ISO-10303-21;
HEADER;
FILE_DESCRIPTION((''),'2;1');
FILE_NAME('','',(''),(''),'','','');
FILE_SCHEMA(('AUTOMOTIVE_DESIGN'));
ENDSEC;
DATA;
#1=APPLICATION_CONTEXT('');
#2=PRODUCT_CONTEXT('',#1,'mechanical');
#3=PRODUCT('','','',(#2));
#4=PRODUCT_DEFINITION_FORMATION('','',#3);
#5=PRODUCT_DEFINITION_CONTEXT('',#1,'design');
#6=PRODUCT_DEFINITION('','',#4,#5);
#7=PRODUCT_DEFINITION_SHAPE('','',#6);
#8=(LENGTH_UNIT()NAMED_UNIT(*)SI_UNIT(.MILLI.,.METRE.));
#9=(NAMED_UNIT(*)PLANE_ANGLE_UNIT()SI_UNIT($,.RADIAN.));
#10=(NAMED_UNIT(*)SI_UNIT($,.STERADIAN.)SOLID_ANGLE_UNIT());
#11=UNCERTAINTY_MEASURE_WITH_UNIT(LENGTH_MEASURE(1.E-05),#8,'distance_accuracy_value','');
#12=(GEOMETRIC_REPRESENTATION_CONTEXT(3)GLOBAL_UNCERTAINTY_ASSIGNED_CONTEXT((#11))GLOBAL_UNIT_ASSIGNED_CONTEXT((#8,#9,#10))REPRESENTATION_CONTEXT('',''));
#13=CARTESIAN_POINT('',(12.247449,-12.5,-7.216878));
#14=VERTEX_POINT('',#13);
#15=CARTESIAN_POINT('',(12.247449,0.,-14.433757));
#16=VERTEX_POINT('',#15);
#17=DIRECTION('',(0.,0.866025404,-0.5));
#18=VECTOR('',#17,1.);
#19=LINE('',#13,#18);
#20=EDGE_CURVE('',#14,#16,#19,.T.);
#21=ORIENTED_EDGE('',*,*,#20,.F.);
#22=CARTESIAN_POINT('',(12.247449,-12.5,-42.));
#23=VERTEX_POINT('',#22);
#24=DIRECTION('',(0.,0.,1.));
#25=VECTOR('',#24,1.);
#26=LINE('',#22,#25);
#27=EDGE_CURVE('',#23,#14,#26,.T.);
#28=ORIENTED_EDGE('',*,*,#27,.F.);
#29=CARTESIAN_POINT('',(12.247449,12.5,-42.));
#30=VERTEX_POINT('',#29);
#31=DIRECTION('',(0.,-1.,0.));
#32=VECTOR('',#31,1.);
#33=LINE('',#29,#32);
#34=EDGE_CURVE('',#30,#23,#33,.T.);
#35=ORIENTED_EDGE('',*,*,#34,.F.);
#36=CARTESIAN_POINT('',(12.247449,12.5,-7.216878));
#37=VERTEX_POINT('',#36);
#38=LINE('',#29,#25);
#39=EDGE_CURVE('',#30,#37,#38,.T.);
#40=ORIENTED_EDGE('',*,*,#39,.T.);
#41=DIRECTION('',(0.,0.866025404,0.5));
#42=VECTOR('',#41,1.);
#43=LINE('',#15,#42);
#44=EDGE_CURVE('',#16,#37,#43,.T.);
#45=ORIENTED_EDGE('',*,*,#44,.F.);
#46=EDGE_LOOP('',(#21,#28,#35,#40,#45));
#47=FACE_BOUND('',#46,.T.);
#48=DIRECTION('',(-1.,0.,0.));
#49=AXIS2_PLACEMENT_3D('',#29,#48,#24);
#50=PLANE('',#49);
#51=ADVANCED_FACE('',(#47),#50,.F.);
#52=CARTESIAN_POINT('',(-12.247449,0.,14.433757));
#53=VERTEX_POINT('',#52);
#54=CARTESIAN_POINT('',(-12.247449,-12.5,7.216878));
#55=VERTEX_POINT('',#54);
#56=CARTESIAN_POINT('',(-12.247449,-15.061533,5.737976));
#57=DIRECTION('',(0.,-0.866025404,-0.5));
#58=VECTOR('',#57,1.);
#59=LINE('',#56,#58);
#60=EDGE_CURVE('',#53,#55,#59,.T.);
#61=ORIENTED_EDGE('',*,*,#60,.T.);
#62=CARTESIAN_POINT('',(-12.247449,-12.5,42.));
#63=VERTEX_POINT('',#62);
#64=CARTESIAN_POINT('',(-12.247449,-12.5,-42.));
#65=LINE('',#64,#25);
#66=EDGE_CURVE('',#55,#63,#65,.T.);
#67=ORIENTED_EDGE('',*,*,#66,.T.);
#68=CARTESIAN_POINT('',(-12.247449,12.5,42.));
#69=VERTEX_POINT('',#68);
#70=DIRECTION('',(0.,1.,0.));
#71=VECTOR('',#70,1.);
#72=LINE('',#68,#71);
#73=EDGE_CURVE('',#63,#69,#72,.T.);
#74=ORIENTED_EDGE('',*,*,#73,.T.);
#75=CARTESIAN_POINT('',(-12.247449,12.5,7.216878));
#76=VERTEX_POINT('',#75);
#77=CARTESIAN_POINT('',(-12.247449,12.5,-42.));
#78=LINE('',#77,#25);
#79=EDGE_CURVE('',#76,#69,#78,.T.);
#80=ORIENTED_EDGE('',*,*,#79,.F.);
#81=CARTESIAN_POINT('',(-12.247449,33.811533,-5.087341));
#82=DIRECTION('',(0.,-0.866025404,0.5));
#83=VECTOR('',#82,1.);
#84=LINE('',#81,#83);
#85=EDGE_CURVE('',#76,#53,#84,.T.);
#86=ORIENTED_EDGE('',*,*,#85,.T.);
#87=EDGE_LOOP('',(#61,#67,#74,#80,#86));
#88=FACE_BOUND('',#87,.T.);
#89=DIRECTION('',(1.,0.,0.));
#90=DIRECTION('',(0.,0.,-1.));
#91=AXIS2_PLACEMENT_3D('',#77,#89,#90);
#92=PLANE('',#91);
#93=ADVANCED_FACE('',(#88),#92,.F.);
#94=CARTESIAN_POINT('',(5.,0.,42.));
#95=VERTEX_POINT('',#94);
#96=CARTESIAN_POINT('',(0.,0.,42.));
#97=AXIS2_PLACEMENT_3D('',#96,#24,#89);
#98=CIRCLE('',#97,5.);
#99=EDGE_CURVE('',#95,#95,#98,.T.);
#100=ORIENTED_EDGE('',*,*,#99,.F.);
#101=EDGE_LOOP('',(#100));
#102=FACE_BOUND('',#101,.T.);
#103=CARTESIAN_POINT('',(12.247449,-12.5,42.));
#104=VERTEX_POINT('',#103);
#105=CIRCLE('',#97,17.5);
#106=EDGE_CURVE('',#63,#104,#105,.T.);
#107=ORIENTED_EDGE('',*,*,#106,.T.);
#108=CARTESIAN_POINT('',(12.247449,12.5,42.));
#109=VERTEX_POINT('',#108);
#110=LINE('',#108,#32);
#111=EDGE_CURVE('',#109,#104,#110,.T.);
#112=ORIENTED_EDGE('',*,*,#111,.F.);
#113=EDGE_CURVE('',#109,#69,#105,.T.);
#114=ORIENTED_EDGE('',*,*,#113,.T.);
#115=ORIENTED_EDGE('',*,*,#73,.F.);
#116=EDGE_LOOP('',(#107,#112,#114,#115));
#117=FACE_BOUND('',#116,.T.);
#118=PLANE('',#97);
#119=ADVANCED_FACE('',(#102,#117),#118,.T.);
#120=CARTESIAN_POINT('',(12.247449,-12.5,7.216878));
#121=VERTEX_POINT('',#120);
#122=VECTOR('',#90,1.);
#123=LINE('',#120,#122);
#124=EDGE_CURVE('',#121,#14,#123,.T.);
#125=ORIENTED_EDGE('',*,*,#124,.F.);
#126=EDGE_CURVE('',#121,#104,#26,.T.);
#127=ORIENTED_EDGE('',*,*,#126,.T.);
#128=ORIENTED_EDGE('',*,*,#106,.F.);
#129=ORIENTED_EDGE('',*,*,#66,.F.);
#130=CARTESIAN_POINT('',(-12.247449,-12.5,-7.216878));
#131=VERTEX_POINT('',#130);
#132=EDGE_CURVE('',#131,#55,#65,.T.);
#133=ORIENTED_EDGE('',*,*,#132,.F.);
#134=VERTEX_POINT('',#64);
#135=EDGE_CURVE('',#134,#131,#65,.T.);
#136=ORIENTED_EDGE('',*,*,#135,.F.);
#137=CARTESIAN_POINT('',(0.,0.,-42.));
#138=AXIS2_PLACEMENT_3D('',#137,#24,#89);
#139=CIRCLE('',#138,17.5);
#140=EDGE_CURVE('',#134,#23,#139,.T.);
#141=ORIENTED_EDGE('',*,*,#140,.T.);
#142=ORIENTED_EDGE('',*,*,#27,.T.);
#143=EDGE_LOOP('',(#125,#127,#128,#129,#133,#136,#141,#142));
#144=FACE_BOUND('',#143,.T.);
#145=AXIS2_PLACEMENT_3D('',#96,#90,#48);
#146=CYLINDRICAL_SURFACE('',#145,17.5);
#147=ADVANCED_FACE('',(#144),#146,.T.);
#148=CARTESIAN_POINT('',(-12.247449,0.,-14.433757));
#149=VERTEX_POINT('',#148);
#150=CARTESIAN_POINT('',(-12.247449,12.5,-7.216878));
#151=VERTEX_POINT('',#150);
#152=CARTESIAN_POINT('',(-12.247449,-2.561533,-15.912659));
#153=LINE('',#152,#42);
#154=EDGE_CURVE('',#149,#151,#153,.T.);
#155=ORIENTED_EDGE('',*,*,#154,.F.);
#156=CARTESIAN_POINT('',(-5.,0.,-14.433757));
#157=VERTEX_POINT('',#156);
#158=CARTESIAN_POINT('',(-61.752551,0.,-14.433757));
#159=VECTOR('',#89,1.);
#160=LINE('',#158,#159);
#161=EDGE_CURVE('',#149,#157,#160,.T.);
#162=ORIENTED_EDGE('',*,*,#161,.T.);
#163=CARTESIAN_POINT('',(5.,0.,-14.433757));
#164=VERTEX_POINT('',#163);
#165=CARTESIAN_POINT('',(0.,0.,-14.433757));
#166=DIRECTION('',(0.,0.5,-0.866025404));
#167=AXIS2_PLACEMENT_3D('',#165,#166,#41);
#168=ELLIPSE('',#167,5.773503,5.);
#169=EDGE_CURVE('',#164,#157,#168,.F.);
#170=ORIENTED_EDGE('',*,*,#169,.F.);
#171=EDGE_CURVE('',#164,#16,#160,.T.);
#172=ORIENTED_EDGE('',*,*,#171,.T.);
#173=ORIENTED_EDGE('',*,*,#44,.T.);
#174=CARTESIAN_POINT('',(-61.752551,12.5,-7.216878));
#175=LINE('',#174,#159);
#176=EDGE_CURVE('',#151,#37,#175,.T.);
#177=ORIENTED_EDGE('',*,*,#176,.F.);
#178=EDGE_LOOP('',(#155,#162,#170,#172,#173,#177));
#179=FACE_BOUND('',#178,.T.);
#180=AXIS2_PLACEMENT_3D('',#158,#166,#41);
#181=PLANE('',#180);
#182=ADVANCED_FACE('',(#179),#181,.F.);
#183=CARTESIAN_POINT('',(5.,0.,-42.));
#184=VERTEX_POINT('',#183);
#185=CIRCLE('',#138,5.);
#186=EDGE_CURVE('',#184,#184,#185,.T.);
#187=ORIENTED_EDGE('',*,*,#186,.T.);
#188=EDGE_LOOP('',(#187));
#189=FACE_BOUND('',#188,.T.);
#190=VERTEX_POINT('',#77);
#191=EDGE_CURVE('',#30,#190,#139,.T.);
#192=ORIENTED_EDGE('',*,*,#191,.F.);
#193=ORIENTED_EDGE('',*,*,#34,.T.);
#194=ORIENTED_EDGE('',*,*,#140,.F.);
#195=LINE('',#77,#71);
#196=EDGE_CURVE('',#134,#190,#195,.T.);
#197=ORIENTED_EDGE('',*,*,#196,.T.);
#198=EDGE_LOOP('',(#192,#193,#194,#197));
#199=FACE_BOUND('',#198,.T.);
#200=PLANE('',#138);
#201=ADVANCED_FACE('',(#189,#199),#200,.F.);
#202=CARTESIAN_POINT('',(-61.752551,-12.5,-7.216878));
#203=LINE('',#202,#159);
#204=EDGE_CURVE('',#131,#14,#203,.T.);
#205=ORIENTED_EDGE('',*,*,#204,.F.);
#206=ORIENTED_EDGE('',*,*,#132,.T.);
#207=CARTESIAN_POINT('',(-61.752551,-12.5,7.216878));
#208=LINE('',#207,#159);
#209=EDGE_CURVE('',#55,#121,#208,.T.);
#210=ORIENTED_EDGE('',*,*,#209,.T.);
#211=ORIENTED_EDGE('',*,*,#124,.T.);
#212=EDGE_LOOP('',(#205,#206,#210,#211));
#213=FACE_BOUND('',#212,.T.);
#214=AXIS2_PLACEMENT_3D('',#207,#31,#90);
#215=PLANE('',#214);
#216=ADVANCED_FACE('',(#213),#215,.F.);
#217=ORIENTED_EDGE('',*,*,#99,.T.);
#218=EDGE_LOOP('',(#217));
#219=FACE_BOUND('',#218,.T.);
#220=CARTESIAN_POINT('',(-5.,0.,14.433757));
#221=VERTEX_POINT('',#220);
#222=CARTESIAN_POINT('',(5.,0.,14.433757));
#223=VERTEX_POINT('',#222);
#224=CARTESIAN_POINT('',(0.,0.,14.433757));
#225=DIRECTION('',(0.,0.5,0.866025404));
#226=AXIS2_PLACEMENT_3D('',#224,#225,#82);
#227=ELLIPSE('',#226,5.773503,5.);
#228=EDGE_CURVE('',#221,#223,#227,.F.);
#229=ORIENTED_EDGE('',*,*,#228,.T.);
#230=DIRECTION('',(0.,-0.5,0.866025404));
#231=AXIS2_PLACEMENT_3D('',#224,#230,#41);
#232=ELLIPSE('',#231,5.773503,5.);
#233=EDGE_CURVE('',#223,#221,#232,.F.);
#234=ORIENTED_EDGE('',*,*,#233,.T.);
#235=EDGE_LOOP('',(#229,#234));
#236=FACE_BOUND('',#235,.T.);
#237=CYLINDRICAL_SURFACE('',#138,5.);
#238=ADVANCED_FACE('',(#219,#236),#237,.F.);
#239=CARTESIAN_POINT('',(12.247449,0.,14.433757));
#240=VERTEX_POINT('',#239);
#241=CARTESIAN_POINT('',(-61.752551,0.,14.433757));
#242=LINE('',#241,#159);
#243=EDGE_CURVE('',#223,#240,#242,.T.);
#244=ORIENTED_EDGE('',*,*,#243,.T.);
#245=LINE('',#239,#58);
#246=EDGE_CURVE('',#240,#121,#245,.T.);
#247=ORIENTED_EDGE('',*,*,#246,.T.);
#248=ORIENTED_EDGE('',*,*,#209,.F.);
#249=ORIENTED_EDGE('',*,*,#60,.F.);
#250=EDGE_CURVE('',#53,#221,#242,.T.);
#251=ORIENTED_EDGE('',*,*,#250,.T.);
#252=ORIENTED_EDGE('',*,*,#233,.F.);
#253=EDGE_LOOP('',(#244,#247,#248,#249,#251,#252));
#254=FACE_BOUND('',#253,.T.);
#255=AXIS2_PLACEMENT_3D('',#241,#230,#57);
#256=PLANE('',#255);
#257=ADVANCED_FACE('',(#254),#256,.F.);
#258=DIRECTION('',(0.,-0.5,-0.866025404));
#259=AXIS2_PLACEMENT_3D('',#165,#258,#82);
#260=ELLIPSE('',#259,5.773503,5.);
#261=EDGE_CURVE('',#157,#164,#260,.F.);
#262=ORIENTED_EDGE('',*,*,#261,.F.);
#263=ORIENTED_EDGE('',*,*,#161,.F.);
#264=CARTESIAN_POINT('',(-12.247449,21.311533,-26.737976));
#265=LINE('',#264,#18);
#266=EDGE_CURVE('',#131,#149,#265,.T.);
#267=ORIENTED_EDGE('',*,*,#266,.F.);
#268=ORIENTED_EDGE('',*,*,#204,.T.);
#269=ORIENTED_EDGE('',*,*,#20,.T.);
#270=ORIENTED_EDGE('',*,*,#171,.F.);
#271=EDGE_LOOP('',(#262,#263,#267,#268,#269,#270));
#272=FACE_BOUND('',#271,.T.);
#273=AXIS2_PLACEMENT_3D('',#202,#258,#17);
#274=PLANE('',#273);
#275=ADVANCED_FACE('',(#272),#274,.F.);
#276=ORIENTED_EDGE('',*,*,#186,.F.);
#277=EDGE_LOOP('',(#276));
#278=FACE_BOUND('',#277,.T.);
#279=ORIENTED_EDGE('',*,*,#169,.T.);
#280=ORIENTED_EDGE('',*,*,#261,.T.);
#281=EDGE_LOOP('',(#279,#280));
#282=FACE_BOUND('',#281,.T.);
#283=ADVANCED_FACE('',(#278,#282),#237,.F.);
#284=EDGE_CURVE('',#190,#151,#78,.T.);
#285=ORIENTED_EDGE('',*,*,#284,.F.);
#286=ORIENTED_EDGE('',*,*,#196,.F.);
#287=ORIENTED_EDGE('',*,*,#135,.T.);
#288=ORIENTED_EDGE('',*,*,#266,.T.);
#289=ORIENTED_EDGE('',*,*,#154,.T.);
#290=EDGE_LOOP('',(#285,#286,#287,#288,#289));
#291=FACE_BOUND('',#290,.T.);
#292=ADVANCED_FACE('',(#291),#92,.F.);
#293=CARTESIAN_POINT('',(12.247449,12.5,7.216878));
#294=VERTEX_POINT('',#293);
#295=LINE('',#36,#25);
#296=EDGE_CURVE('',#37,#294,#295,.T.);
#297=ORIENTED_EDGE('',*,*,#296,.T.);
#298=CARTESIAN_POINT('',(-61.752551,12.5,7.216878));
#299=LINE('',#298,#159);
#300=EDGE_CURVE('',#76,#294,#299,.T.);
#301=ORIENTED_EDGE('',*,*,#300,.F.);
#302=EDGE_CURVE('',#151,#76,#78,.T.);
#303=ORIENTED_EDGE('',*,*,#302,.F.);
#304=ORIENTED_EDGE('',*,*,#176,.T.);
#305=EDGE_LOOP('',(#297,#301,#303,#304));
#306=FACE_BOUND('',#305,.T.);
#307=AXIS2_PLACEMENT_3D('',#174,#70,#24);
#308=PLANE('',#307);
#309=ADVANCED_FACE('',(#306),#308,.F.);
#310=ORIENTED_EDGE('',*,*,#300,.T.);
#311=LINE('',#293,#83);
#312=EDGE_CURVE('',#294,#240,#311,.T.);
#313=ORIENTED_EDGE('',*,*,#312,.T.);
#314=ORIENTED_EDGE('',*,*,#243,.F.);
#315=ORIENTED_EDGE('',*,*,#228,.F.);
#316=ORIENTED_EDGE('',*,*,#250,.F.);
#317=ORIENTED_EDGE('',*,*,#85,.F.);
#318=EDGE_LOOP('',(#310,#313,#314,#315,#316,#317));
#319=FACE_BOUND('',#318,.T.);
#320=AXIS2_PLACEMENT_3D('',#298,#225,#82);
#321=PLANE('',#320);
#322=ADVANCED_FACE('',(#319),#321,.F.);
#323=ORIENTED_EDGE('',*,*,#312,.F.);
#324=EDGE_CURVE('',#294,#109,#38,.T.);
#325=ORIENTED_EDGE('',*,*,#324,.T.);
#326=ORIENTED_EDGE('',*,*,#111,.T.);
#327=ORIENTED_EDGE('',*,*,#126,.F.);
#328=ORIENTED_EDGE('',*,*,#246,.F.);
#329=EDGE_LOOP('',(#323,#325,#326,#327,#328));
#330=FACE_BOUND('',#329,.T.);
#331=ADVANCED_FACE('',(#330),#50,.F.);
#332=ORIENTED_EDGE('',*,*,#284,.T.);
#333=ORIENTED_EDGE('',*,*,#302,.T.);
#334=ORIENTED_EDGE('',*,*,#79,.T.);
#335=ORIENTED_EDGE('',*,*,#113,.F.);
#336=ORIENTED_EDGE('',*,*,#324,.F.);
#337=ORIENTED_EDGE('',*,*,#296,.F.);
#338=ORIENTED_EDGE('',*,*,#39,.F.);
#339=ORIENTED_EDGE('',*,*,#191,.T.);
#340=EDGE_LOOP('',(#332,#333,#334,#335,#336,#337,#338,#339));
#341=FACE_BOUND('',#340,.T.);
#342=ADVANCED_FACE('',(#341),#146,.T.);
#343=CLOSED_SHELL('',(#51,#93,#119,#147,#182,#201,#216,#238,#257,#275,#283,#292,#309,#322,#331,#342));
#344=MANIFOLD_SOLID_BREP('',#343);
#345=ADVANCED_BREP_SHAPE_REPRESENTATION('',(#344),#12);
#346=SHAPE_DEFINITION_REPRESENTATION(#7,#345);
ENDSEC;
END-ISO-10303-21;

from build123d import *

# Parameters (mm, degrees)
SKETCH1_R           = 17.5
BOSS_EXTRUDE1_DEPTH = 42
SKETCH3_W           = 21.176447949
SKETCH3_H           = 25
CUT_EXTRUDE1_DEPTH  = 88.569972022
SKETCH4_R           = 5
CUT_EXTRUDE2_DEPTH  = 87.67323693
CUT_EXTRUDE3_DEPTH  = 74


with BuildPart() as part:
    # Sketch1 → Boss-Extrude1 (new, symmetric)
    with BuildSketch(Plane.XY):
        with Locations(Location((0, 0, 0), (0, 0, 180))):
            Circle(SKETCH1_R)
    extrude(amount=BOSS_EXTRUDE1_DEPTH, both=True)

    # Sketch3 → Cut-Extrude1 (cut, through all)
    with BuildSketch(Plane.XY.offset(42)):
        with Locations((-22.835672689, 0)):
            Rectangle(SKETCH3_W, SKETCH3_H)
        with Locations((22.835672689, 0)):
            Rectangle(SKETCH3_W, SKETCH3_H)
    extrude(amount=-CUT_EXTRUDE1_DEPTH, mode=Mode.SUBTRACT)

    # Sketch4 → Cut-Extrude2 (cut, through all)
    with BuildSketch(Plane.XY.offset(42)):
        Circle(SKETCH4_R)
    extrude(amount=-CUT_EXTRUDE2_DEPTH, mode=Mode.SUBTRACT)

    # Sketch5 → Cut-Extrude3 (cut)
    with BuildSketch(Plane(origin=(12.247448714, 0, 0), x_dir=(0, 0, -1), z_dir=(1, 0, 0))):
        Polygon((14.43375673, 0), (7.216878365, 12.5), (-7.216878365, 12.5), (-14.43375673, 0), (-7.216878365, -12.5), (7.216878365, -12.5), align=None)
    extrude(amount=-CUT_EXTRUDE3_DEPTH, mode=Mode.SUBTRACT)


solid = part.part
